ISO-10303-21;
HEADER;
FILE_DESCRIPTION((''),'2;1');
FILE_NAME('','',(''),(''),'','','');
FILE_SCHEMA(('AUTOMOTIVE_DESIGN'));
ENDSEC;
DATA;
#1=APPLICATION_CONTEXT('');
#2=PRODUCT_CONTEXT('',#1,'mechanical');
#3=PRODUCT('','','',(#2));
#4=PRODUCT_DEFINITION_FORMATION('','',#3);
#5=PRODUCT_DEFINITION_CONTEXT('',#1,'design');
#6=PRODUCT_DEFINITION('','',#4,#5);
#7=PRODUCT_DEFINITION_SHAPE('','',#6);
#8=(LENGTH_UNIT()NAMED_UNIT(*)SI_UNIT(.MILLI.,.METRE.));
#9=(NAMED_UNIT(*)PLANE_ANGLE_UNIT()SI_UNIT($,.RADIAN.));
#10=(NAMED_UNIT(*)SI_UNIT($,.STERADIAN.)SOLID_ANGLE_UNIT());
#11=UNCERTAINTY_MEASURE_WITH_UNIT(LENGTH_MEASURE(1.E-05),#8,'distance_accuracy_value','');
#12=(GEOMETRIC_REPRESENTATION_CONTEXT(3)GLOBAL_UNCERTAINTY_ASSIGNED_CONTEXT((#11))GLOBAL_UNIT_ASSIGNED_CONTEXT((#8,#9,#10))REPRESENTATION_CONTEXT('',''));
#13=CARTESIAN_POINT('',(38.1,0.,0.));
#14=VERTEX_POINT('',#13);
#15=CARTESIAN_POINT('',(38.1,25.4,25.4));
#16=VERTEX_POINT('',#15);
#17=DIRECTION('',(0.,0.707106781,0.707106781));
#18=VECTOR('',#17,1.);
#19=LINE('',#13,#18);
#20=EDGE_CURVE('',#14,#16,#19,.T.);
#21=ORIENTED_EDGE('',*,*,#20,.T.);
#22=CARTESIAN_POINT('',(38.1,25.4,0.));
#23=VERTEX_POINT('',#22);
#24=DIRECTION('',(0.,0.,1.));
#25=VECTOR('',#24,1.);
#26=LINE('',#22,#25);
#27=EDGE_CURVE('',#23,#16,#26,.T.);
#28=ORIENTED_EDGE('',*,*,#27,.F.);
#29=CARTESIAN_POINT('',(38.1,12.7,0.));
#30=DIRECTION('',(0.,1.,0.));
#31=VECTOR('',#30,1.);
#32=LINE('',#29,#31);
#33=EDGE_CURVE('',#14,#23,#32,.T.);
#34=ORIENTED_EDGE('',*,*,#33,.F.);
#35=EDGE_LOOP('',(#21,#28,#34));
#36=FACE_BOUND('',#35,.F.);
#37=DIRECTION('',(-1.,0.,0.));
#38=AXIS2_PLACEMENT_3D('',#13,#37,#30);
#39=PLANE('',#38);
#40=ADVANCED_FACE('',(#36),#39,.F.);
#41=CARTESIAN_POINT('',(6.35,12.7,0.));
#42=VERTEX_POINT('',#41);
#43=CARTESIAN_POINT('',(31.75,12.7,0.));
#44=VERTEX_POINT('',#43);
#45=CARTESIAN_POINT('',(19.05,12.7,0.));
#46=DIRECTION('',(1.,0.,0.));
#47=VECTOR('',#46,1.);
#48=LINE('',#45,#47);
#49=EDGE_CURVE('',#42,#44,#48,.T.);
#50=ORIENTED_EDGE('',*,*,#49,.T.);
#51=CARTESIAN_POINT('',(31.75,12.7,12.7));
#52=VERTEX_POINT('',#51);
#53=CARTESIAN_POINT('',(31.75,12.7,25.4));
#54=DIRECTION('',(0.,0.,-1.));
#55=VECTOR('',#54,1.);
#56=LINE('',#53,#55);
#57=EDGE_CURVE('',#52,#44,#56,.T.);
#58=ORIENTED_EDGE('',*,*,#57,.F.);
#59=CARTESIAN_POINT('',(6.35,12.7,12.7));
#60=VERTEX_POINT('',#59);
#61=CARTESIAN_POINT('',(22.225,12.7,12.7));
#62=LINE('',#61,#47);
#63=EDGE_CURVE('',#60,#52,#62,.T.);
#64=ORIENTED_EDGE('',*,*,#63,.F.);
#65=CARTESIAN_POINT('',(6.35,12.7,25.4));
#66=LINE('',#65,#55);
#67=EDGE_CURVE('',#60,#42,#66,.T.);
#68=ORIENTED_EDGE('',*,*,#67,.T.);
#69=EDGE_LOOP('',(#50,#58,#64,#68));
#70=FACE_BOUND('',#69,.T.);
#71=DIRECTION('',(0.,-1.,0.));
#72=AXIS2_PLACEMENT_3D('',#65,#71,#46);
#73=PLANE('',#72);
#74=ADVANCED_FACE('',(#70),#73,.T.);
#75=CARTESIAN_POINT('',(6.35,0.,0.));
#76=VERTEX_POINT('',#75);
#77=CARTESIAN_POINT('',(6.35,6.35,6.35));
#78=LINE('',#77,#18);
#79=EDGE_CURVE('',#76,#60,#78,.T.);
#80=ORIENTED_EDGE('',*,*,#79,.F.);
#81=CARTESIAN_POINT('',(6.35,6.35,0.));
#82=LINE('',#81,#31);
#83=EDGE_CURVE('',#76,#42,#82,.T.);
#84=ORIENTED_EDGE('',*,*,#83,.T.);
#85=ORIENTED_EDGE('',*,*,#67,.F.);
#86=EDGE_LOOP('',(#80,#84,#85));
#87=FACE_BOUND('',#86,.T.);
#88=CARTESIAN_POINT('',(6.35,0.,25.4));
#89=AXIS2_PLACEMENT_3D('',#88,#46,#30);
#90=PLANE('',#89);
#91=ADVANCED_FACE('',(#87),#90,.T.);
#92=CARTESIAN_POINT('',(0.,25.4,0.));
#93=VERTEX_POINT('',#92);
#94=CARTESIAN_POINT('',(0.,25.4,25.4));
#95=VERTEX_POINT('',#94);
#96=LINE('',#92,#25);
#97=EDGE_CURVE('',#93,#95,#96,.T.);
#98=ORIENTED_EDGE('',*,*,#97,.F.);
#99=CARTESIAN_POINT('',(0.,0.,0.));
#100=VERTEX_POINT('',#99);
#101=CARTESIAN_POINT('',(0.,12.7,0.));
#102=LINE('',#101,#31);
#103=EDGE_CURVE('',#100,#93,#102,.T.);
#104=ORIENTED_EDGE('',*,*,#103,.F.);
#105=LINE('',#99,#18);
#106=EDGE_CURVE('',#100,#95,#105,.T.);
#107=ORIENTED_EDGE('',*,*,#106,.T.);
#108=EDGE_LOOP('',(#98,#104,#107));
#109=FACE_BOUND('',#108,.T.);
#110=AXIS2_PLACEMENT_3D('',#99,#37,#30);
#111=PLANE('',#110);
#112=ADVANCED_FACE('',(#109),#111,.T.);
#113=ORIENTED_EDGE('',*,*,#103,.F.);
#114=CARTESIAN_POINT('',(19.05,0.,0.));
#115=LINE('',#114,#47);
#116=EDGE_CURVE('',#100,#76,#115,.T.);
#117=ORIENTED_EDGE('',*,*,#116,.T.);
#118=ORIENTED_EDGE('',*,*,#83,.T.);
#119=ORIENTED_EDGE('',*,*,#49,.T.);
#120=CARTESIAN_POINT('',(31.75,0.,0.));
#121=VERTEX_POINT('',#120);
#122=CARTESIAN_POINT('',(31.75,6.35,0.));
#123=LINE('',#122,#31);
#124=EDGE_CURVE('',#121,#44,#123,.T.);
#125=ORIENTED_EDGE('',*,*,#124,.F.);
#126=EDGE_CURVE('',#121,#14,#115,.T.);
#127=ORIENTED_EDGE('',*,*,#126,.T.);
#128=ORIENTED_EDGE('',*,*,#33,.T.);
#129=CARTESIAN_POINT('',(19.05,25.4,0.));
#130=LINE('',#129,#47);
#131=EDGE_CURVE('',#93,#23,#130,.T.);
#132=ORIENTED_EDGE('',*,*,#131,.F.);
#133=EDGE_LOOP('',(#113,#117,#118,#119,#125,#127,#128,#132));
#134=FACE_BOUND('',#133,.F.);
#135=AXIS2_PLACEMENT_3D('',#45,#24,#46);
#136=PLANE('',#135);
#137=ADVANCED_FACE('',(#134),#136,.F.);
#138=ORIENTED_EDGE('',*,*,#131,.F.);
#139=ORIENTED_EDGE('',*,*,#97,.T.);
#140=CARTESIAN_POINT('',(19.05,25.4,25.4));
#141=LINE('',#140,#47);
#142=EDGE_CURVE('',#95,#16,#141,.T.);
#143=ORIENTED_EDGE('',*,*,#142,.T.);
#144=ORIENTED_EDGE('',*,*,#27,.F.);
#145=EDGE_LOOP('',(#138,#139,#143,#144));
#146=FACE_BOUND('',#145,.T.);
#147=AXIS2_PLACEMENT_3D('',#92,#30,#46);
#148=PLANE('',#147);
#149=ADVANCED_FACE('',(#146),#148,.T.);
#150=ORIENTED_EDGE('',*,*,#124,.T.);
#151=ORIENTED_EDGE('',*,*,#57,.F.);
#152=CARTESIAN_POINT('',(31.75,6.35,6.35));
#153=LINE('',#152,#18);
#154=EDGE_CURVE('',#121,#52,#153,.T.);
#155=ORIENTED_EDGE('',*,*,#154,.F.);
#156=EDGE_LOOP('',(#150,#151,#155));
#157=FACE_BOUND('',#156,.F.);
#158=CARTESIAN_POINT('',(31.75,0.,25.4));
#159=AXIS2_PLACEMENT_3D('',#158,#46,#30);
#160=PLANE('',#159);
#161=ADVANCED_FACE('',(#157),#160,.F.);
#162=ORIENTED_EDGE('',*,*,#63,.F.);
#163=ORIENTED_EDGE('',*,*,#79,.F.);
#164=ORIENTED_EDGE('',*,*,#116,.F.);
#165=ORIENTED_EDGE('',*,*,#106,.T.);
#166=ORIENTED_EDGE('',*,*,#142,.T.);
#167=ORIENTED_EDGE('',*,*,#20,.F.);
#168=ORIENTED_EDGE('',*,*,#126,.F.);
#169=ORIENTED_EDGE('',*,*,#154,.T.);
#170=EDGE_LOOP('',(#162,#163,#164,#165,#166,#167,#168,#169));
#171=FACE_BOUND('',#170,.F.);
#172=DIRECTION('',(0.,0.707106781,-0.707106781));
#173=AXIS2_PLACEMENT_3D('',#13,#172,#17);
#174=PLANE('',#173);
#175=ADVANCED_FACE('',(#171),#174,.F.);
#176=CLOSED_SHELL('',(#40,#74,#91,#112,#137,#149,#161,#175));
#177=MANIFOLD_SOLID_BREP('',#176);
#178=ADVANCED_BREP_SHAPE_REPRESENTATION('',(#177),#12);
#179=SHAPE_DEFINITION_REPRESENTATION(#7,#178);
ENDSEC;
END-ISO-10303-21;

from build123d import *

# Parameters (mm, degrees)
F0_W     = 38.1
F0_H     = 25.4
F1_DEPTH = 25.4
F2_W     = 25.4
F2_H     = 12.7
F3_DEPTH = 25.4
F5_DEPTH = 38.1


with BuildPart() as f1:
    # F0 (on Top) → F1 (new body)
    with BuildSketch(Plane.XY):
        with Locations((19.05, 12.7)):
            Rectangle(F0_W, F0_H)
    extrude(amount=F1_DEPTH)

    # F2 (on face) → F3 (cut)
    with BuildSketch(Plane.XY.offset(25.4)):
        with Locations((19.05, 6.35)):
            Rectangle(F2_W, F2_H)
    extrude(amount=-F3_DEPTH, mode=Mode.SUBTRACT)

    # F4 (on face) → F5 (cut)
    with BuildSketch(Plane.YZ.offset(38.1)):
        Polygon((0, 25.4), (0, 0), (25.4, 25.4), align=None)
    extrude(amount=-F5_DEPTH, mode=Mode.SUBTRACT)


solid = f1.part
